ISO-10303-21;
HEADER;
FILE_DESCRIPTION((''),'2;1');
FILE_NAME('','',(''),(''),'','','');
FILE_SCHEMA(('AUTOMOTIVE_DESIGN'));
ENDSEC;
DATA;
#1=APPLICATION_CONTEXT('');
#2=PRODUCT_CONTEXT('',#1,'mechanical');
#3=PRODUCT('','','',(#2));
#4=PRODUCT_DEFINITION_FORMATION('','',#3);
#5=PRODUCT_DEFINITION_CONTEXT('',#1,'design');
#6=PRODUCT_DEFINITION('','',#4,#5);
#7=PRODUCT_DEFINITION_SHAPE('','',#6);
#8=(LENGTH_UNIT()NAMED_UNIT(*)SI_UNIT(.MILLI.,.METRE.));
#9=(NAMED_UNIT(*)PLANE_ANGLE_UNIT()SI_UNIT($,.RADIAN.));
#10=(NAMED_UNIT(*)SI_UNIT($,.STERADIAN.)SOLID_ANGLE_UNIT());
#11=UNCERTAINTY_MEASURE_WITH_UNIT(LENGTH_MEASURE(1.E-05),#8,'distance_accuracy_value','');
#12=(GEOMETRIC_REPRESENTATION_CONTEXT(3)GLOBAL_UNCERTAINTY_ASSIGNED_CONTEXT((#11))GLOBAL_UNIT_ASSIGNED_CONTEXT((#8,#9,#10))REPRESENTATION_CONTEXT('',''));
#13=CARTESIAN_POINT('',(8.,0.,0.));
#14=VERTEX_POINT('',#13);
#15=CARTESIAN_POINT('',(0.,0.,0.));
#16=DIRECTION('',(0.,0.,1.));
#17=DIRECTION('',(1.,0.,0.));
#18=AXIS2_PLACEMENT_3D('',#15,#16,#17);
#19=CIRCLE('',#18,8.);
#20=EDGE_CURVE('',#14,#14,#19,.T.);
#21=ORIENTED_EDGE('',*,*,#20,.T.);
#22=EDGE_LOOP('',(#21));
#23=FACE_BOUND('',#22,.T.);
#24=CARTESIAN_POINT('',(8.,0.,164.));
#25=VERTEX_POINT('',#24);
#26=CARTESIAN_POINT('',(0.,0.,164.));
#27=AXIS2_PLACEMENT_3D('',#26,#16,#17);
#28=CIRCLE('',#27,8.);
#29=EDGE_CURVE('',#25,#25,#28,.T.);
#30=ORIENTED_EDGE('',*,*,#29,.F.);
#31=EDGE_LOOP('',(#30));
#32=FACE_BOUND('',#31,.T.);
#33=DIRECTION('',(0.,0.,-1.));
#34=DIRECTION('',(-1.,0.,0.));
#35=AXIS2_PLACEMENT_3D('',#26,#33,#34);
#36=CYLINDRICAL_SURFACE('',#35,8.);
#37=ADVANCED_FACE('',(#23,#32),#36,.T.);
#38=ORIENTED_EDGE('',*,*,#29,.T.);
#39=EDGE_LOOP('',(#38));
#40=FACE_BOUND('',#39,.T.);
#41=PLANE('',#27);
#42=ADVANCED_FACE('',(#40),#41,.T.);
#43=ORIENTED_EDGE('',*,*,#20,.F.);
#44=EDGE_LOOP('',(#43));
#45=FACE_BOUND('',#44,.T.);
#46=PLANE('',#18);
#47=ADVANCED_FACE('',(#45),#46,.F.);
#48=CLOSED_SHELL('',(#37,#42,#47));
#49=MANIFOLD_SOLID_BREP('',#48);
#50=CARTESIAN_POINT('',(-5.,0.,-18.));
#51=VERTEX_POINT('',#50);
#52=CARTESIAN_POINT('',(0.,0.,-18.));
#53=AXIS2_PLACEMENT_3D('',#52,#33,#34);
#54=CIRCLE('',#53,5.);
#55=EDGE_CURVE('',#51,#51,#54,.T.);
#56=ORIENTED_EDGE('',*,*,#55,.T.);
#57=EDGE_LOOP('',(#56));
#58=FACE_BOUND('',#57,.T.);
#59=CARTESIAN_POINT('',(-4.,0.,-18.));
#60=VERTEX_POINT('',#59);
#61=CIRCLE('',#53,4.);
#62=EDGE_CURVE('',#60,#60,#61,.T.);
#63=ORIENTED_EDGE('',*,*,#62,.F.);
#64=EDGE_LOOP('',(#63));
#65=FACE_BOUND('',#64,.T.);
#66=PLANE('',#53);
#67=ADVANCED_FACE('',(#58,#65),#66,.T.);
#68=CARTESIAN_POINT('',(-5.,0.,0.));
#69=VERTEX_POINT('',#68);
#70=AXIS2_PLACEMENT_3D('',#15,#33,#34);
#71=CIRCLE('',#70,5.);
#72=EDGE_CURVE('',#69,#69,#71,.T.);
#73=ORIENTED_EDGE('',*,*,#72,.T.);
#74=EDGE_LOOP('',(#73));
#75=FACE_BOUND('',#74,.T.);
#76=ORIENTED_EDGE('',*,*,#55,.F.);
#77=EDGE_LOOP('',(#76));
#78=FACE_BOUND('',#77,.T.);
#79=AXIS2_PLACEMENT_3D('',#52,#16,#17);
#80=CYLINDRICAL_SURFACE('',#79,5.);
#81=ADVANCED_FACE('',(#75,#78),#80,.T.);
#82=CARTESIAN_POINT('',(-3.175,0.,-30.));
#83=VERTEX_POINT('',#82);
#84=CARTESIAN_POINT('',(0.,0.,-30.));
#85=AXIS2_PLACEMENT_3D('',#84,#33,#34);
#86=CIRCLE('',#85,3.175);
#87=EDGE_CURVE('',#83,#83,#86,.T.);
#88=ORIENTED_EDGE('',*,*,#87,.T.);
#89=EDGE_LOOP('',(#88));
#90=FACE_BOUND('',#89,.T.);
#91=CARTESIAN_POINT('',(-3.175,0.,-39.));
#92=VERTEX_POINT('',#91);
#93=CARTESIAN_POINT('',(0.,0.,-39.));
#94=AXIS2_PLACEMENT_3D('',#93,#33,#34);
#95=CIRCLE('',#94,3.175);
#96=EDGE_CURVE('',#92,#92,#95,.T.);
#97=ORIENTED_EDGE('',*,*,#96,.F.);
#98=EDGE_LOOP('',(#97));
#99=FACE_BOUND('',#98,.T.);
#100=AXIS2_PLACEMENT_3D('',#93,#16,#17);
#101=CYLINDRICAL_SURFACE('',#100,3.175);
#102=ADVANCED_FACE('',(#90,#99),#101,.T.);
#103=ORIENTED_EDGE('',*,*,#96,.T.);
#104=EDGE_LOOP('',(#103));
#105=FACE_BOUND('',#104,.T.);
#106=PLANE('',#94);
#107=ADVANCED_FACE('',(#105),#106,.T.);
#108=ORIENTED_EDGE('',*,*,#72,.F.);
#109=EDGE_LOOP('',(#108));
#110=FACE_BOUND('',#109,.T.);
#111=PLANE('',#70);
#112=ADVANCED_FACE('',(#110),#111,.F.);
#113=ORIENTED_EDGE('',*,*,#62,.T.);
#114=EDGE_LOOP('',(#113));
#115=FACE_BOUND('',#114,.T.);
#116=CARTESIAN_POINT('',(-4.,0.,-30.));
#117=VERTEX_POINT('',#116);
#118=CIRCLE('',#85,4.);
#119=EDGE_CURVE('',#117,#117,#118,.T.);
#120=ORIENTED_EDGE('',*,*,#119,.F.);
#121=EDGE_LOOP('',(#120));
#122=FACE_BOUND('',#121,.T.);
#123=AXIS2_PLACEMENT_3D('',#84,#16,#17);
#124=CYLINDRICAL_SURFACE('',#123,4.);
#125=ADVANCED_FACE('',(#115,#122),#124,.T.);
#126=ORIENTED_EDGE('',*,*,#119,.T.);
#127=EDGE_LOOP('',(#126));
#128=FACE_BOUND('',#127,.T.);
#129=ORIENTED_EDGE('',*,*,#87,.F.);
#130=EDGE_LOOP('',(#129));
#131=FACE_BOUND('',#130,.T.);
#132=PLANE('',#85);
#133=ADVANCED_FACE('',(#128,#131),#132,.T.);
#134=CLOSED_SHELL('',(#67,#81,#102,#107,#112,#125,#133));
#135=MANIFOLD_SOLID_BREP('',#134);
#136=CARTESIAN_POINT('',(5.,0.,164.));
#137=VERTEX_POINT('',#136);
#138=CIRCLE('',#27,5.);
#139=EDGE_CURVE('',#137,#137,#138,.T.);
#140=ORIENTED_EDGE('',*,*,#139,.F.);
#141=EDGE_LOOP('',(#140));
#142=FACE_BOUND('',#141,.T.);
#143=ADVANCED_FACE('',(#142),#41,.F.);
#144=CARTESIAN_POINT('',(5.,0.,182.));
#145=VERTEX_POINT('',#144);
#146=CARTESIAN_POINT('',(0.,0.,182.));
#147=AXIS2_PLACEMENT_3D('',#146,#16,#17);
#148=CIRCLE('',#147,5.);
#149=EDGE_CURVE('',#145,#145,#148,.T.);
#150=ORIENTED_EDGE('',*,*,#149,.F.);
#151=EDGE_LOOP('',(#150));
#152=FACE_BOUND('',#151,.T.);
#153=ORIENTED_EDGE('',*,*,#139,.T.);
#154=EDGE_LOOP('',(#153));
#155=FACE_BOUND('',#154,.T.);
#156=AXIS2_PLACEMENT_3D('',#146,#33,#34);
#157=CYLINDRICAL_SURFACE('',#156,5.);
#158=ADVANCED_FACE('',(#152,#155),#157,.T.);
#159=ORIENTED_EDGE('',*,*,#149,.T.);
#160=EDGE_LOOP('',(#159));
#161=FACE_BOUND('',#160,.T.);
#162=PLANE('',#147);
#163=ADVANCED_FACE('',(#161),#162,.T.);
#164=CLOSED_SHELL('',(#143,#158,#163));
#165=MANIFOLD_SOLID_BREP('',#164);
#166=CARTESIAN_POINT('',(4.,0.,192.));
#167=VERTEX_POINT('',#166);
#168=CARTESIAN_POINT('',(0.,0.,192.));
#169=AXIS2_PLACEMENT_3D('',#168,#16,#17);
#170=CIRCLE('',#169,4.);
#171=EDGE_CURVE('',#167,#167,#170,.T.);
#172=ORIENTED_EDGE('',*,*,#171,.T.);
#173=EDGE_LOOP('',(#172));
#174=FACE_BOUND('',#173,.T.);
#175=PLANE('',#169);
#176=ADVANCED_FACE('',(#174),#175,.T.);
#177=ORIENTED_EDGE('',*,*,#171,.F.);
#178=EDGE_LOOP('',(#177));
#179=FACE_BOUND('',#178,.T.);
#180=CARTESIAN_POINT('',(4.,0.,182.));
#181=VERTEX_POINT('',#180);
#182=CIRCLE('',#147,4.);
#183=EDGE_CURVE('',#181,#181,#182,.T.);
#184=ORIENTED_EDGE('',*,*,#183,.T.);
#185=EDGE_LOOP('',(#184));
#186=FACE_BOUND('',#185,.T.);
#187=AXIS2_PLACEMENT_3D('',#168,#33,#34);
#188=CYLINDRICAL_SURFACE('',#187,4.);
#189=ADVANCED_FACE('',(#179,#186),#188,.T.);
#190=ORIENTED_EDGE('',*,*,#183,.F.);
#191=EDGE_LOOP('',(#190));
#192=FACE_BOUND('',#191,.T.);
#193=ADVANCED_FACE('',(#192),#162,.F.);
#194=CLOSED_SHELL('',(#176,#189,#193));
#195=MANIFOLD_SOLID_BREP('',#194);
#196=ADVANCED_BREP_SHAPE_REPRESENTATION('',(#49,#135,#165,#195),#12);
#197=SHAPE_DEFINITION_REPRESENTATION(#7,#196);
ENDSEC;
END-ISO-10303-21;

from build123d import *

# Parameters (mm, degrees)
SKETCH_1_R      = 8
EXTRUDE_1_DEPTH = 164
SKETCH_2_R      = 5
EXTRUDE_2_DEPTH = 18
SKETCH_4_R      = 5
EXTRUDE_3_DEPTH = 18
SKETCH_5_R      = 4
EXTRUDE_4_DEPTH = 10
SKETCH_9_R      = 4
EXTRUDE_5_DEPTH = 12
SKETCH_10_R     = 3.175
EXTRUDE_6_DEPTH = 9


with BuildPart() as part:
    # 草图1 → 凸台-拉伸1 (new body)
    with BuildSketch(Plane.XY):
        Circle(SKETCH_1_R)
    extrude(amount=EXTRUDE_1_DEPTH)


with BuildPart() as body_2:
    # 草图2 → 凸台-拉伸2 (new body)
    with BuildSketch(Plane.XY.offset(164)):
        Circle(SKETCH_2_R)
    extrude(amount=EXTRUDE_2_DEPTH)


with BuildPart() as body_3:
    # 草图4 → 凸台-拉伸3 (new body)
    with BuildSketch(Plane(origin=(0, 0, 0), x_dir=(-1, 0, 0), z_dir=(0, 0, -1))):
        Circle(SKETCH_4_R)
    extrude(amount=EXTRUDE_3_DEPTH)

    # 草图9 → 凸台-拉伸5 (add)
    with BuildSketch(Plane(origin=(0, 0, -18), x_dir=(-1, 0, 0), z_dir=(0, 0, -1))):
        with Locations(Location((0, 0, 0), (0, 0, 180))):
            Circle(SKETCH_9_R)
    extrude(amount=EXTRUDE_5_DEPTH)

    # 草图10 → 凸台-拉伸6 (add)
    with BuildSketch(Plane(origin=(0, 0, -30), x_dir=(-1, 0, 0), z_dir=(0, 0, -1))):
        Circle(SKETCH_10_R)
    extrude(amount=EXTRUDE_6_DEPTH)


with BuildPart() as body_4:
    # 草图5 → 凸台-拉伸4 (new body)
    with BuildSketch(Plane.XY.offset(182)):
        Circle(SKETCH_5_R)
    extrude(amount=EXTRUDE_4_DEPTH)


solid = Compound([part.part, body_2.part, body_3.part, body_4.part])
